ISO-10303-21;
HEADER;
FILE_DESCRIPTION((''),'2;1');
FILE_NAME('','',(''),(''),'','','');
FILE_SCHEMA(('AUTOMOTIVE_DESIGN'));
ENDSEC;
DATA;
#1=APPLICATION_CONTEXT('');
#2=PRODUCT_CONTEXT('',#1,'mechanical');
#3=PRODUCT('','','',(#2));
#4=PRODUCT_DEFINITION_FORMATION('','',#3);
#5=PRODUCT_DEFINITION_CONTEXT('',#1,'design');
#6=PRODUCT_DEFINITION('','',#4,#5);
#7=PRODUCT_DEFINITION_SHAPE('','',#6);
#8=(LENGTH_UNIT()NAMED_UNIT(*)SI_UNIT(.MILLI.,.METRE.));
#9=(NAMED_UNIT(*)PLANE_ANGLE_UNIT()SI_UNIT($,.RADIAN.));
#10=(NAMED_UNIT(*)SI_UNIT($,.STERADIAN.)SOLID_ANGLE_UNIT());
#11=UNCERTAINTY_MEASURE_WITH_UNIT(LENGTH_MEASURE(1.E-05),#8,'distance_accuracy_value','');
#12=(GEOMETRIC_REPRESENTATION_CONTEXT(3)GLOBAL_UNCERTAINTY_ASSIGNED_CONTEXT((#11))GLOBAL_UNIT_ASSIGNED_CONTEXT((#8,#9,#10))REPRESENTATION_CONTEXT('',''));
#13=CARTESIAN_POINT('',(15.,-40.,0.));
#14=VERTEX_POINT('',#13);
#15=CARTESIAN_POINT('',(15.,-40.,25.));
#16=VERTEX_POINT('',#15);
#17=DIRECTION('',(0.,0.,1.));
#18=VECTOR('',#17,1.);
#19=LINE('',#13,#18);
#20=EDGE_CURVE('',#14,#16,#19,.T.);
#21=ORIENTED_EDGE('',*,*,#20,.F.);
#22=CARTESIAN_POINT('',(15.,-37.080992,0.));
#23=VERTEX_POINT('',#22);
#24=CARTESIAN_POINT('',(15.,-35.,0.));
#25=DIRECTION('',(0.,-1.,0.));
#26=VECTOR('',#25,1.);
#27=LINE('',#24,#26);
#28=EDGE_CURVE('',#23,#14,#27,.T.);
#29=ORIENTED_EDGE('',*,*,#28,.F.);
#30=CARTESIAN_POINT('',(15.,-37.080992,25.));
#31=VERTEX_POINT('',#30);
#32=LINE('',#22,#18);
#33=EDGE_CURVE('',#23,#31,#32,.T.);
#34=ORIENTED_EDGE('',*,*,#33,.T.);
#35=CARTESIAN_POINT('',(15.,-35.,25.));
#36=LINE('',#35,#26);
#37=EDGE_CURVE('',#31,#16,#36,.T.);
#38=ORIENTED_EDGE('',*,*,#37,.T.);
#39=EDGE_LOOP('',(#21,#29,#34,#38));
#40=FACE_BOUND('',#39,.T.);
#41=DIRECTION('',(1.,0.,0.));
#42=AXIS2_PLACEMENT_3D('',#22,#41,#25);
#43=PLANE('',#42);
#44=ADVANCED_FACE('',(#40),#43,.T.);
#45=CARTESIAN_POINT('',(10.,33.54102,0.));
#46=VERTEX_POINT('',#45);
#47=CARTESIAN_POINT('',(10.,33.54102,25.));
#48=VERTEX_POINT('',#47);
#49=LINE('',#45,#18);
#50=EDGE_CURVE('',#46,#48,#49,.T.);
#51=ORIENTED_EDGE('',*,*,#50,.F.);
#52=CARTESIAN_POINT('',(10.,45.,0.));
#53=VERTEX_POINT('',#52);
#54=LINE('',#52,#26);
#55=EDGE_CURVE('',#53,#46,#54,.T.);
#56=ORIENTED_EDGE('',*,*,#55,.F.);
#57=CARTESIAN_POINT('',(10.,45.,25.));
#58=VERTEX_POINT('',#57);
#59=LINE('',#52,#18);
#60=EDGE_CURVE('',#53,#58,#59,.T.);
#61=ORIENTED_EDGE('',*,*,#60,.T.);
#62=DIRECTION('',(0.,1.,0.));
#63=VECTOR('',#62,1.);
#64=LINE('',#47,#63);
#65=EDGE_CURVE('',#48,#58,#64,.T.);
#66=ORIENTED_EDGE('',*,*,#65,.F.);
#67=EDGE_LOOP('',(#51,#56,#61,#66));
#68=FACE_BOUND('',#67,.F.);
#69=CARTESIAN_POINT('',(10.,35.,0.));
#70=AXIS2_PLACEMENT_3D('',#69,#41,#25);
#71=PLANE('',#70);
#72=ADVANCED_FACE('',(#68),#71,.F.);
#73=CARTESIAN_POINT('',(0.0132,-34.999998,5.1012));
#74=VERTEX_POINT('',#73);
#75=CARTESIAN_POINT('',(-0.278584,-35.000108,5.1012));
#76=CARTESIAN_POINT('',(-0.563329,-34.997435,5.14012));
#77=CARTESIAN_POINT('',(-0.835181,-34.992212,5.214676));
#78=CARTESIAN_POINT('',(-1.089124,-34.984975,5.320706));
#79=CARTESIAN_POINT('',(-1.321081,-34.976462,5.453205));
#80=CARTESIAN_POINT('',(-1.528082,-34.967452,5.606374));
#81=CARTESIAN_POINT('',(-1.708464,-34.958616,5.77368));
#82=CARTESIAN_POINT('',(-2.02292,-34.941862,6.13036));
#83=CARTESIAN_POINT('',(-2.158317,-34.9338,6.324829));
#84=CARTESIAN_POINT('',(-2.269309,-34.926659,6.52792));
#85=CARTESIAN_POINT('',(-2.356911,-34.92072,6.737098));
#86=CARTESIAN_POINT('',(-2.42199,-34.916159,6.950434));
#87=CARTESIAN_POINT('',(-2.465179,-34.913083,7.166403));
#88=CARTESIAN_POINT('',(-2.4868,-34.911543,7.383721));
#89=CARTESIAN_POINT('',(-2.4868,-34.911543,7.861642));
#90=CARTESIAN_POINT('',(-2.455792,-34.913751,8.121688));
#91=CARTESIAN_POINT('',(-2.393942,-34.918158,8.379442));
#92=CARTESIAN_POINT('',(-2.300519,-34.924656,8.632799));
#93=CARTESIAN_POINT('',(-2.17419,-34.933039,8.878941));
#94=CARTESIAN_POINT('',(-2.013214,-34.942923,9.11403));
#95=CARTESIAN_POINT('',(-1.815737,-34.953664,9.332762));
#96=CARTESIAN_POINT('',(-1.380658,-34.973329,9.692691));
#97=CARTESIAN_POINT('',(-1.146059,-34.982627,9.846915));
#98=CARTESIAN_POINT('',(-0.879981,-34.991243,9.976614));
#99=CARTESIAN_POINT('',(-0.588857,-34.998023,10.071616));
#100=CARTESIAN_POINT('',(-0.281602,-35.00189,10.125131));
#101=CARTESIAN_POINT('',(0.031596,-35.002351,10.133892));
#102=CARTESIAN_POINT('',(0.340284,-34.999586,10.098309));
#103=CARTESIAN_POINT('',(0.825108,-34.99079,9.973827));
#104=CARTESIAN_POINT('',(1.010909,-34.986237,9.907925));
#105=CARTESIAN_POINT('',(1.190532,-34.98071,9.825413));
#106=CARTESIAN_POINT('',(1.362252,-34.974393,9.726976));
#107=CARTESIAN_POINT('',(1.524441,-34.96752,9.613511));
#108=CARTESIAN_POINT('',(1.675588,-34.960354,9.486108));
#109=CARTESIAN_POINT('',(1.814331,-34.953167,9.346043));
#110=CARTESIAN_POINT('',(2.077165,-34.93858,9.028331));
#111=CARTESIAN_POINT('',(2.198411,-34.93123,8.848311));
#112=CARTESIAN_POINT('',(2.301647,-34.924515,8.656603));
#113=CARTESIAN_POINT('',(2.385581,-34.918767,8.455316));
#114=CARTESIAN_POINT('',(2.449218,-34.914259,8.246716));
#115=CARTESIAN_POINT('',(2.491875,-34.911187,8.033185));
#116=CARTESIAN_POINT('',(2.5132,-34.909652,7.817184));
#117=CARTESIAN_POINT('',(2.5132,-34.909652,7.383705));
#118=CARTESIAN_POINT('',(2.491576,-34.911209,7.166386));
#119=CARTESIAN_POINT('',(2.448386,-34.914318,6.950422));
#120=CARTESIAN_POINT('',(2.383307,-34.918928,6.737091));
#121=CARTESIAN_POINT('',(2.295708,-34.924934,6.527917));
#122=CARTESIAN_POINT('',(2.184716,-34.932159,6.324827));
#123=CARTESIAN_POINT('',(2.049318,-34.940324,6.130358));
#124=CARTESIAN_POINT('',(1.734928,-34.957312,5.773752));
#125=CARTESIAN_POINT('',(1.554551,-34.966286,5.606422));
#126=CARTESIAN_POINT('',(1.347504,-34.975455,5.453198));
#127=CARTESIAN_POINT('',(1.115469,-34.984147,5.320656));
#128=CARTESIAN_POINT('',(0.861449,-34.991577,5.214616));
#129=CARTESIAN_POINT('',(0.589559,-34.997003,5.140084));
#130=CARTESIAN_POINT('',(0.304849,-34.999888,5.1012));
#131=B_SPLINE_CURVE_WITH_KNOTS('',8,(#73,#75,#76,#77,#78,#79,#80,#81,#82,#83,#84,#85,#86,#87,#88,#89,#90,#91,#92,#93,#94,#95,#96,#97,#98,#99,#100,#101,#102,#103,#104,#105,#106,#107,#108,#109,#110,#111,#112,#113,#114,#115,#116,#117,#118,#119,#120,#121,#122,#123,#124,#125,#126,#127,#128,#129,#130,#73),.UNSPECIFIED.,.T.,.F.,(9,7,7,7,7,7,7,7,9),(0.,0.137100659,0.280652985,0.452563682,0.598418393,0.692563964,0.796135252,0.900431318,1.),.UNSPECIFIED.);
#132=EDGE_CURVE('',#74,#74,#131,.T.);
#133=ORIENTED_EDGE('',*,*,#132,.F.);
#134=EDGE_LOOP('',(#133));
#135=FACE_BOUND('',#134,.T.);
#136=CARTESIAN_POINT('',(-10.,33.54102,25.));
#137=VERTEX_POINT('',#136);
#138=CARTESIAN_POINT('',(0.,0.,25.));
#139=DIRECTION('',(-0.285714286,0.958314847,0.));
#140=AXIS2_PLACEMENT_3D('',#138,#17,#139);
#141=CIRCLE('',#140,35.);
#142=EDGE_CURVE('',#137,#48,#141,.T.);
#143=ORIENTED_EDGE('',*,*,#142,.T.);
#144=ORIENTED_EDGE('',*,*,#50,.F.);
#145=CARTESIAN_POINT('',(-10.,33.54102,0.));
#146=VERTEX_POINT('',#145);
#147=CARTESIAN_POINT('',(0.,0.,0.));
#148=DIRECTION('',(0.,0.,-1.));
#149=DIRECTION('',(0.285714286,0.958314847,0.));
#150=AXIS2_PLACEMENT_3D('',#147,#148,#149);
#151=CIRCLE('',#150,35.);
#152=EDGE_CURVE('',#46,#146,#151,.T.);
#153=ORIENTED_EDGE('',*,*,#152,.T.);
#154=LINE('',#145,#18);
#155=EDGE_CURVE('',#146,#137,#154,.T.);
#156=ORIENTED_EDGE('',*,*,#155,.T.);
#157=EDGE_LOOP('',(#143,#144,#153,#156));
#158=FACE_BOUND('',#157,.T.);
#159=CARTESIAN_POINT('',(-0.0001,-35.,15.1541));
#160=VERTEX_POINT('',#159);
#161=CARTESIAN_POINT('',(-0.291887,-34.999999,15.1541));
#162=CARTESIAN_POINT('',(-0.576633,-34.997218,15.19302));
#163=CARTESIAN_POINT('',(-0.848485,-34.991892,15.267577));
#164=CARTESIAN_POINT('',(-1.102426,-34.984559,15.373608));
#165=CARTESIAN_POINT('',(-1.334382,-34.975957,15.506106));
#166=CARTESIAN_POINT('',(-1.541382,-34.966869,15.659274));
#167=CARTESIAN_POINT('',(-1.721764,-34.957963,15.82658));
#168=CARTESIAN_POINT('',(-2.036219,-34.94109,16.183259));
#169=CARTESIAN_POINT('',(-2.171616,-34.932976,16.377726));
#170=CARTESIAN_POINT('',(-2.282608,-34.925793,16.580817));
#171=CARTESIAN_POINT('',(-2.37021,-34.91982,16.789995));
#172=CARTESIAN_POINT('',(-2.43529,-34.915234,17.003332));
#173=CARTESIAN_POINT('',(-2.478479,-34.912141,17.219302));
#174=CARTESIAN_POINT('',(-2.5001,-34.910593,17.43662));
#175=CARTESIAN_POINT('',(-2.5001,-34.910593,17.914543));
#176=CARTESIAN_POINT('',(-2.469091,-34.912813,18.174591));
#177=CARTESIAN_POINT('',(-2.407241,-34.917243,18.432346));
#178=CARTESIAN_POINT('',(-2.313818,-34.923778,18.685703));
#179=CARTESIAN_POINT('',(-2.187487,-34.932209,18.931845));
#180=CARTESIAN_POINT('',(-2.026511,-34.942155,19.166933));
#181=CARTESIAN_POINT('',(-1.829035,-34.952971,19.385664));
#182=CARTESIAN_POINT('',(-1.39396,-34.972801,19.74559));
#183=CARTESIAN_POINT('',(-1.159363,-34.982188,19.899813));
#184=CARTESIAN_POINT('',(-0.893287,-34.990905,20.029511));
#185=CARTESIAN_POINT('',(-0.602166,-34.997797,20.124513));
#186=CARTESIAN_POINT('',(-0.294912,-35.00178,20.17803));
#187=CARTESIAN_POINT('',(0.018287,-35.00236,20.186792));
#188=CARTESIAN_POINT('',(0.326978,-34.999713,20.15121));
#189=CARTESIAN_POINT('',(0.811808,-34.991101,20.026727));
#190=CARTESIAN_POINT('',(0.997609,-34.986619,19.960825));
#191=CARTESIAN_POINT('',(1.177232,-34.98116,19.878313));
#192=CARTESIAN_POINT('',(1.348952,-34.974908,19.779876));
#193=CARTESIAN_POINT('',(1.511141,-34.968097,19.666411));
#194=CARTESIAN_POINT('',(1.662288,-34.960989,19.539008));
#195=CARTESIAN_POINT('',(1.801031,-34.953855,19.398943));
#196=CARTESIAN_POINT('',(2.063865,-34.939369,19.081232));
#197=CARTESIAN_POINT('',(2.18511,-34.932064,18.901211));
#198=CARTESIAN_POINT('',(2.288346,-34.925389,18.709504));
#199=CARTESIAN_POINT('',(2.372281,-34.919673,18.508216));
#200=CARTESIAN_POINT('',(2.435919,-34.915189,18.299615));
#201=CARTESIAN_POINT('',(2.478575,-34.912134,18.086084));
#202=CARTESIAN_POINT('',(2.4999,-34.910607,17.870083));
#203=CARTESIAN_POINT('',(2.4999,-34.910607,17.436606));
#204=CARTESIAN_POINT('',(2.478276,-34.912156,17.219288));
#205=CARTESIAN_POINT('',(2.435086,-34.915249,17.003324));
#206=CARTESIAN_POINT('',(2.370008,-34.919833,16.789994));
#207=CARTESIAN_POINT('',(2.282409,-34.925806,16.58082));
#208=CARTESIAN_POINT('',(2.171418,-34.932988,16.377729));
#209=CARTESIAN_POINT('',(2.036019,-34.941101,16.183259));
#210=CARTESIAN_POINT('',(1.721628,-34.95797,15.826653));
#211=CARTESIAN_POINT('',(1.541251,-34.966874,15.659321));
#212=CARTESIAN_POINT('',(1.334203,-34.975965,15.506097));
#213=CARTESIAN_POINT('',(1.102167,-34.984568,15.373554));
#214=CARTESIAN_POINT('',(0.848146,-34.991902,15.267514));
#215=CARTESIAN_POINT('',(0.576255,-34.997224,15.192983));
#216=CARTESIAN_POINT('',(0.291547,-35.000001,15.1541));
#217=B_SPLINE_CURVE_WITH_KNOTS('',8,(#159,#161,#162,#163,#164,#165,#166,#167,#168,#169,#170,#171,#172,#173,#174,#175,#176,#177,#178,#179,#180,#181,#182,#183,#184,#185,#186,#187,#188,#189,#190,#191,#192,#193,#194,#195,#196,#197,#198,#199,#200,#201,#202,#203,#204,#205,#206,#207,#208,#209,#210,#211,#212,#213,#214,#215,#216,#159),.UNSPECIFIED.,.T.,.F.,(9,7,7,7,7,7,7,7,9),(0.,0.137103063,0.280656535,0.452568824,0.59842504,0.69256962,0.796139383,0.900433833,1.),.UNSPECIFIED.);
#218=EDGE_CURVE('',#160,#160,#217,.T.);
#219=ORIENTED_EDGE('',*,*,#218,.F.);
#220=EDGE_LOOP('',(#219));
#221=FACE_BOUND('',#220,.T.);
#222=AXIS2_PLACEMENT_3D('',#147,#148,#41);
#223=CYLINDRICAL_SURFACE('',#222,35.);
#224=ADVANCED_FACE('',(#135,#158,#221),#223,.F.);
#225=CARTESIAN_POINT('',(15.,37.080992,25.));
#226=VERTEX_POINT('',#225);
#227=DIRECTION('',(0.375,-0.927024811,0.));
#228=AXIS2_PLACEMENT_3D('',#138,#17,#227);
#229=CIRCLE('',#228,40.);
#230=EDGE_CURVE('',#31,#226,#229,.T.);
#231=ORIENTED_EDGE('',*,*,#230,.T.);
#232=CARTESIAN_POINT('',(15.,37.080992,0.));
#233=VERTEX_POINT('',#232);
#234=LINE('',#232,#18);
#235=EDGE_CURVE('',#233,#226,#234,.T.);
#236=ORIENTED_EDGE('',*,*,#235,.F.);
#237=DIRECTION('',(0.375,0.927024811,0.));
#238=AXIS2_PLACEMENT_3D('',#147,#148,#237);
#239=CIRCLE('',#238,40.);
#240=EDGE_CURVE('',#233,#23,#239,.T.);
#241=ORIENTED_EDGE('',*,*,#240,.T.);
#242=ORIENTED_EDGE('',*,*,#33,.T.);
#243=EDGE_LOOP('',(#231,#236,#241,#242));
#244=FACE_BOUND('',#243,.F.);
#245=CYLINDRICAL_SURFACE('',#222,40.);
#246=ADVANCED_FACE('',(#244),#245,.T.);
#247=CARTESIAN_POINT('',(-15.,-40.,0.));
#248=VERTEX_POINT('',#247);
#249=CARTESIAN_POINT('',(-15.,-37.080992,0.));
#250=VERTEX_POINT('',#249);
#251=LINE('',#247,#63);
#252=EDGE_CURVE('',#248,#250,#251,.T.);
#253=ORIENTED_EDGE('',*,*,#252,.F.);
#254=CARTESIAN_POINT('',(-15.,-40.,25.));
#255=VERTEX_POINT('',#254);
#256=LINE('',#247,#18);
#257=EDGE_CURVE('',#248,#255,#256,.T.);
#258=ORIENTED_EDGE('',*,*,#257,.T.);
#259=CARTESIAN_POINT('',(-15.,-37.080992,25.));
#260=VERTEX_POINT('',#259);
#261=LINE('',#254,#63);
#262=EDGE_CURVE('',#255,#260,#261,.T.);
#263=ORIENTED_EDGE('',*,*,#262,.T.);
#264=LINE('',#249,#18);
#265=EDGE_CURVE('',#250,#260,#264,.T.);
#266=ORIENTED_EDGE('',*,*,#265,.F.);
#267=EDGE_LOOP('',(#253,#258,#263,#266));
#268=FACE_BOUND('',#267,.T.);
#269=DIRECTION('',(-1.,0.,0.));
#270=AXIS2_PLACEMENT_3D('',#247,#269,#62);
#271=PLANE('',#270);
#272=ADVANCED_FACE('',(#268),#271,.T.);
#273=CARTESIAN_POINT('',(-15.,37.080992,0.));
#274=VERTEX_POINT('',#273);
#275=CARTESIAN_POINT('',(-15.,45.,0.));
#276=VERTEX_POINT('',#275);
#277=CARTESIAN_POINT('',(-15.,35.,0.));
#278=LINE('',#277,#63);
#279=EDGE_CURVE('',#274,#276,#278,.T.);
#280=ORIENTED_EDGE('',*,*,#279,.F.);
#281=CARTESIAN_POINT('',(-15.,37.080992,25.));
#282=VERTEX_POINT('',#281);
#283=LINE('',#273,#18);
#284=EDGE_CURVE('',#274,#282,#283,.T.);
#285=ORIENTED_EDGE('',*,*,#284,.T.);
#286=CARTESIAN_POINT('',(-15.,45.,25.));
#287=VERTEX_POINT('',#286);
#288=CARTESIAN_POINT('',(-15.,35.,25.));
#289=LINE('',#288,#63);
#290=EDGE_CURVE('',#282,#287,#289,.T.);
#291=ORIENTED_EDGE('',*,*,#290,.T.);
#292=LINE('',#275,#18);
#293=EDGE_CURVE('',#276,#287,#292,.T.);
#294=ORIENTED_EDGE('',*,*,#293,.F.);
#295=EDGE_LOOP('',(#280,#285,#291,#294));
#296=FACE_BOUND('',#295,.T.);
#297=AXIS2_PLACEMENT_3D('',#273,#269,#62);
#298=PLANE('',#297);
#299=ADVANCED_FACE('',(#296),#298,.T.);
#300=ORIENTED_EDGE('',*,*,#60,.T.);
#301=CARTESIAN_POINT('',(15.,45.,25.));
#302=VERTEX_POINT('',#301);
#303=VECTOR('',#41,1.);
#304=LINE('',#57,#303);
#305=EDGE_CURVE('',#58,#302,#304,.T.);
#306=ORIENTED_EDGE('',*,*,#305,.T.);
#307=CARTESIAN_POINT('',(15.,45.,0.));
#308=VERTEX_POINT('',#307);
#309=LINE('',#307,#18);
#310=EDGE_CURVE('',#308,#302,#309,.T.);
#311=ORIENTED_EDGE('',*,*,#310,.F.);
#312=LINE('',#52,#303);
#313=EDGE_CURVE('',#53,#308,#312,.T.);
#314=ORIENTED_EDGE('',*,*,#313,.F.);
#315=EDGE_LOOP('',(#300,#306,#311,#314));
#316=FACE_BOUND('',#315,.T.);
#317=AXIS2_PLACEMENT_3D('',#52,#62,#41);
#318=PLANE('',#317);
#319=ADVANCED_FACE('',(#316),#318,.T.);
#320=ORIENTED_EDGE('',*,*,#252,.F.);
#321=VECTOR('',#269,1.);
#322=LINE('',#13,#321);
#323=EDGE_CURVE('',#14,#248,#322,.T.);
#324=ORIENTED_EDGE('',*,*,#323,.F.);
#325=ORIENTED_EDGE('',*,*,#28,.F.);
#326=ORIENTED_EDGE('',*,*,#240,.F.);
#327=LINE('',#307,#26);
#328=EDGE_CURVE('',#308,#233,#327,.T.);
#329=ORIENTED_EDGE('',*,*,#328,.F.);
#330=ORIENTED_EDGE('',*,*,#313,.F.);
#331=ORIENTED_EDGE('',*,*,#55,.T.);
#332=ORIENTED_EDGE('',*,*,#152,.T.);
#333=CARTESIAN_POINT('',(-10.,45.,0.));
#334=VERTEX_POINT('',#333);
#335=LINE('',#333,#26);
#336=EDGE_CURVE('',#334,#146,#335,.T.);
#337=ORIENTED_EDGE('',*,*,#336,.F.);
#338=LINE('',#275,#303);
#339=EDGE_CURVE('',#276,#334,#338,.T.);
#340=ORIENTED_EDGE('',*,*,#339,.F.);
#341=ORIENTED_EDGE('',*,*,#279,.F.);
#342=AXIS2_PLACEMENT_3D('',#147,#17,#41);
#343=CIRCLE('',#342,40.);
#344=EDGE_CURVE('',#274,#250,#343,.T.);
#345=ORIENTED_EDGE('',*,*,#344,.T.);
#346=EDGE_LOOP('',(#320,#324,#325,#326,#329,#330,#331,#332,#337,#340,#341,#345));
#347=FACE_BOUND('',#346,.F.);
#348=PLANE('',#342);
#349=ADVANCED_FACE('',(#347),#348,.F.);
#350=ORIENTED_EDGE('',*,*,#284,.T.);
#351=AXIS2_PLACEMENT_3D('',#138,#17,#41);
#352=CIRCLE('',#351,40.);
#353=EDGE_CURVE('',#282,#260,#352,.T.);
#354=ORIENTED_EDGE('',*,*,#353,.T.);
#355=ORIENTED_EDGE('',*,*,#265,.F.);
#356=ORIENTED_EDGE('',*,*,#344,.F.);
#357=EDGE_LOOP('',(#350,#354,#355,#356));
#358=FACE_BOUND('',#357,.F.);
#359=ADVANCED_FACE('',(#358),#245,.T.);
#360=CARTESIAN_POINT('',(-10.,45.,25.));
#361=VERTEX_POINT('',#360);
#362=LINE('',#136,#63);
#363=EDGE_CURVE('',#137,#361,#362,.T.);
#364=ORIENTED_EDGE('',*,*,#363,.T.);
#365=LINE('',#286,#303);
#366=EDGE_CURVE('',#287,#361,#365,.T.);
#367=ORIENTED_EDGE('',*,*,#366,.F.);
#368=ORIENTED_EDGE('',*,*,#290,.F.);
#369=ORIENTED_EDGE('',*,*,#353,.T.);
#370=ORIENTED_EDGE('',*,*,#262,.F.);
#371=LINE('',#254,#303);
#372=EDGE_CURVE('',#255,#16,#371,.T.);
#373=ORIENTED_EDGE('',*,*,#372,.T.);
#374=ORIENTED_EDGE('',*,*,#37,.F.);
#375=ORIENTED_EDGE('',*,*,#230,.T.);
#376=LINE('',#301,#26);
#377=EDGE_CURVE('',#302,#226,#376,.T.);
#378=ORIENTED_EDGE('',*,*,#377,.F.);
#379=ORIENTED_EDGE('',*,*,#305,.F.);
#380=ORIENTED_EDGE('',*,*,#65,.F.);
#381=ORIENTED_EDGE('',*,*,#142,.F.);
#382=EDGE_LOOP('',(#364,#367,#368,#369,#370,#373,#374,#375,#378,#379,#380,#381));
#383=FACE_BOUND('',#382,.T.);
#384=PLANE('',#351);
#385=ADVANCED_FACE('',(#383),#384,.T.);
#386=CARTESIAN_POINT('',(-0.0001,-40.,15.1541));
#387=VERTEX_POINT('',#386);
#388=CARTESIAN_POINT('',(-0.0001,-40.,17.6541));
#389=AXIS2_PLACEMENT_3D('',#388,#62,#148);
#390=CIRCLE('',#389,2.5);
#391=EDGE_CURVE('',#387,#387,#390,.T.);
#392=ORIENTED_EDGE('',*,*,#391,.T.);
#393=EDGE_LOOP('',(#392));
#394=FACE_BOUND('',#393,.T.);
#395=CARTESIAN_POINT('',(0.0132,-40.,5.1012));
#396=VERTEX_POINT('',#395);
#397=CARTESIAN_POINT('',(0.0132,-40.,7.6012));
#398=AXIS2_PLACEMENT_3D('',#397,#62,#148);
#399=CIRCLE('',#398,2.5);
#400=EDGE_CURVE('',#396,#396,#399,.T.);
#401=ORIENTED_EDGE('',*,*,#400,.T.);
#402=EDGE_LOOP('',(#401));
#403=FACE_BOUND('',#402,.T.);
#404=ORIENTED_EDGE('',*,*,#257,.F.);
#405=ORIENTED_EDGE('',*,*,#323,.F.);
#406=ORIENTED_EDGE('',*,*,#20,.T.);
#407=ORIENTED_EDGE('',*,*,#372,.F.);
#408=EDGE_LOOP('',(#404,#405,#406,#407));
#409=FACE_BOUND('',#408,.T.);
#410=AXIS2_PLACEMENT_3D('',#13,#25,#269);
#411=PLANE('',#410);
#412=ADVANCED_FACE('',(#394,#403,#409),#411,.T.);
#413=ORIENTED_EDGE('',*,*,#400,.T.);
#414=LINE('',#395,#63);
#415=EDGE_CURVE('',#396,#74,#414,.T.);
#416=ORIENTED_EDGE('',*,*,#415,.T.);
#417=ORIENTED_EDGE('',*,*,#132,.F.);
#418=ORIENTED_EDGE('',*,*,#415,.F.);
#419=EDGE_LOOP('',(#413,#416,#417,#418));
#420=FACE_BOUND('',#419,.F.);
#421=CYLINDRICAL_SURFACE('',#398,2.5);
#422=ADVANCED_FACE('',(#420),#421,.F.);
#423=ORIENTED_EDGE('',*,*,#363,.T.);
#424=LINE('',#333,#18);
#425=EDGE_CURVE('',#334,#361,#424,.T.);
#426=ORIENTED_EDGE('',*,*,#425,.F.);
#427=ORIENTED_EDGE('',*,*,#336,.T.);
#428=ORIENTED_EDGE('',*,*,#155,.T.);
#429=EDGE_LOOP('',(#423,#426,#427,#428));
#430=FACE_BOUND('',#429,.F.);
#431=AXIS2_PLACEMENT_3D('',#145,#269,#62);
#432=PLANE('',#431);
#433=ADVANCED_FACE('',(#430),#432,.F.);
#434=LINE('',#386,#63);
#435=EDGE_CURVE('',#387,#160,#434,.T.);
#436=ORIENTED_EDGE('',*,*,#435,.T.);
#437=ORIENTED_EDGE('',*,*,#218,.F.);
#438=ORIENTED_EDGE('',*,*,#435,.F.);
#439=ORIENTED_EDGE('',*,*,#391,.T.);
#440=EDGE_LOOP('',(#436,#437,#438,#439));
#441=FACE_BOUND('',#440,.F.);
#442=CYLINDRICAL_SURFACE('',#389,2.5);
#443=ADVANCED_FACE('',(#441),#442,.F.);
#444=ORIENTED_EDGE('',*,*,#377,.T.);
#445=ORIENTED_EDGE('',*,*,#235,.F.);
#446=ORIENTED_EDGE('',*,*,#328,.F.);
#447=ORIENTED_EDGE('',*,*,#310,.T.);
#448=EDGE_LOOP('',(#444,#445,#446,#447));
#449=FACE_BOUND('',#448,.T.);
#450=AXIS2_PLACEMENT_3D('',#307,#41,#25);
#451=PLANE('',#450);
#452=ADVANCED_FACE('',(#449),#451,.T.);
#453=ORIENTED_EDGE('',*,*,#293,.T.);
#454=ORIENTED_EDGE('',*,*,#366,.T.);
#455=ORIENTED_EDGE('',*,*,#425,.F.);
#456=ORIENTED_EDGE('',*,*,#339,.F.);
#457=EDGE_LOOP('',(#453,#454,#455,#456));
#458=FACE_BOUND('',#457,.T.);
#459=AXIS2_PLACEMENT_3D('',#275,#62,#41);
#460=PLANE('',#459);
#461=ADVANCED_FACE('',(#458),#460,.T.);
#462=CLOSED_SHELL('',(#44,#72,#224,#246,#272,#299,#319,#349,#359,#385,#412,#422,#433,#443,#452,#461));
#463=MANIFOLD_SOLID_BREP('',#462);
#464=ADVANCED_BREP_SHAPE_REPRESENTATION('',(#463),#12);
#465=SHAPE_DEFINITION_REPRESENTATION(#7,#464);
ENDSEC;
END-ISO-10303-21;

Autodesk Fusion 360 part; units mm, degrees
sketch "Skizze1" plane through (0, 0, 0) normal (0, 0, 1) x (1, 0, 0)
  circle A0 centre (0, 0) radius 35
  circle A1 centre (0, 0) radius 40
  line L0 (10, 30) -> (-10, 30)
  line L1 (-10, 30) -> (-10, 45)
  line L2 (-10, 45) -> (10, 45)
  line L3 (10, 45) -> (10, 30)
  line L4 (15, 35) -> (10, 35)
  line L5 (10, 35) -> (10, 45)
  line L6 (10, 45) -> (15, 45)
  line L7 (15, 45) -> (15, 35)
  line L8 (-10, 35) -> (-15, 35)
  line L9 (-15, 35) -> (-15, 45)
  line L10 (-15, 45) -> (-10, 45)
  line L11 (-10, 45) -> (-10, 35)
  line L12 (-15, -35) -> (15, -35)
  line L13 (15, -35) -> (15, -40)
  line L14 (15, -40) -> (-15, -40)
  line L15 (-15, -40) -> (-15, -35)
  dimension "d1" = 70
  dimension "d2" = 80
extrude "Extrusion1" add sketch "Skizze1" along normal blind 25 contours A0 A1 L3 L4 L7 L12 L13 | A0 A1 L1 L8 L9 L12 L15 | A1 L12 L13 L15 | A1 L3 L4 L5 L7 | A1 L1 L8 L9 L11 | A1 L3 L5 L6 L7 | A1 L14 L15 | A1 L13 L14 | A1 L1 L9 L10 L11
hole "Bohrung1" at (-0.0001, -40, 17.6541) direction (0, 1, 0) diameter 5 depth 15 tip angle 118
hole "Bohrung2" at (0.0132, -40, 7.6012) direction (0, 1, 0) diameter 5 depth 15 tip angle 118
